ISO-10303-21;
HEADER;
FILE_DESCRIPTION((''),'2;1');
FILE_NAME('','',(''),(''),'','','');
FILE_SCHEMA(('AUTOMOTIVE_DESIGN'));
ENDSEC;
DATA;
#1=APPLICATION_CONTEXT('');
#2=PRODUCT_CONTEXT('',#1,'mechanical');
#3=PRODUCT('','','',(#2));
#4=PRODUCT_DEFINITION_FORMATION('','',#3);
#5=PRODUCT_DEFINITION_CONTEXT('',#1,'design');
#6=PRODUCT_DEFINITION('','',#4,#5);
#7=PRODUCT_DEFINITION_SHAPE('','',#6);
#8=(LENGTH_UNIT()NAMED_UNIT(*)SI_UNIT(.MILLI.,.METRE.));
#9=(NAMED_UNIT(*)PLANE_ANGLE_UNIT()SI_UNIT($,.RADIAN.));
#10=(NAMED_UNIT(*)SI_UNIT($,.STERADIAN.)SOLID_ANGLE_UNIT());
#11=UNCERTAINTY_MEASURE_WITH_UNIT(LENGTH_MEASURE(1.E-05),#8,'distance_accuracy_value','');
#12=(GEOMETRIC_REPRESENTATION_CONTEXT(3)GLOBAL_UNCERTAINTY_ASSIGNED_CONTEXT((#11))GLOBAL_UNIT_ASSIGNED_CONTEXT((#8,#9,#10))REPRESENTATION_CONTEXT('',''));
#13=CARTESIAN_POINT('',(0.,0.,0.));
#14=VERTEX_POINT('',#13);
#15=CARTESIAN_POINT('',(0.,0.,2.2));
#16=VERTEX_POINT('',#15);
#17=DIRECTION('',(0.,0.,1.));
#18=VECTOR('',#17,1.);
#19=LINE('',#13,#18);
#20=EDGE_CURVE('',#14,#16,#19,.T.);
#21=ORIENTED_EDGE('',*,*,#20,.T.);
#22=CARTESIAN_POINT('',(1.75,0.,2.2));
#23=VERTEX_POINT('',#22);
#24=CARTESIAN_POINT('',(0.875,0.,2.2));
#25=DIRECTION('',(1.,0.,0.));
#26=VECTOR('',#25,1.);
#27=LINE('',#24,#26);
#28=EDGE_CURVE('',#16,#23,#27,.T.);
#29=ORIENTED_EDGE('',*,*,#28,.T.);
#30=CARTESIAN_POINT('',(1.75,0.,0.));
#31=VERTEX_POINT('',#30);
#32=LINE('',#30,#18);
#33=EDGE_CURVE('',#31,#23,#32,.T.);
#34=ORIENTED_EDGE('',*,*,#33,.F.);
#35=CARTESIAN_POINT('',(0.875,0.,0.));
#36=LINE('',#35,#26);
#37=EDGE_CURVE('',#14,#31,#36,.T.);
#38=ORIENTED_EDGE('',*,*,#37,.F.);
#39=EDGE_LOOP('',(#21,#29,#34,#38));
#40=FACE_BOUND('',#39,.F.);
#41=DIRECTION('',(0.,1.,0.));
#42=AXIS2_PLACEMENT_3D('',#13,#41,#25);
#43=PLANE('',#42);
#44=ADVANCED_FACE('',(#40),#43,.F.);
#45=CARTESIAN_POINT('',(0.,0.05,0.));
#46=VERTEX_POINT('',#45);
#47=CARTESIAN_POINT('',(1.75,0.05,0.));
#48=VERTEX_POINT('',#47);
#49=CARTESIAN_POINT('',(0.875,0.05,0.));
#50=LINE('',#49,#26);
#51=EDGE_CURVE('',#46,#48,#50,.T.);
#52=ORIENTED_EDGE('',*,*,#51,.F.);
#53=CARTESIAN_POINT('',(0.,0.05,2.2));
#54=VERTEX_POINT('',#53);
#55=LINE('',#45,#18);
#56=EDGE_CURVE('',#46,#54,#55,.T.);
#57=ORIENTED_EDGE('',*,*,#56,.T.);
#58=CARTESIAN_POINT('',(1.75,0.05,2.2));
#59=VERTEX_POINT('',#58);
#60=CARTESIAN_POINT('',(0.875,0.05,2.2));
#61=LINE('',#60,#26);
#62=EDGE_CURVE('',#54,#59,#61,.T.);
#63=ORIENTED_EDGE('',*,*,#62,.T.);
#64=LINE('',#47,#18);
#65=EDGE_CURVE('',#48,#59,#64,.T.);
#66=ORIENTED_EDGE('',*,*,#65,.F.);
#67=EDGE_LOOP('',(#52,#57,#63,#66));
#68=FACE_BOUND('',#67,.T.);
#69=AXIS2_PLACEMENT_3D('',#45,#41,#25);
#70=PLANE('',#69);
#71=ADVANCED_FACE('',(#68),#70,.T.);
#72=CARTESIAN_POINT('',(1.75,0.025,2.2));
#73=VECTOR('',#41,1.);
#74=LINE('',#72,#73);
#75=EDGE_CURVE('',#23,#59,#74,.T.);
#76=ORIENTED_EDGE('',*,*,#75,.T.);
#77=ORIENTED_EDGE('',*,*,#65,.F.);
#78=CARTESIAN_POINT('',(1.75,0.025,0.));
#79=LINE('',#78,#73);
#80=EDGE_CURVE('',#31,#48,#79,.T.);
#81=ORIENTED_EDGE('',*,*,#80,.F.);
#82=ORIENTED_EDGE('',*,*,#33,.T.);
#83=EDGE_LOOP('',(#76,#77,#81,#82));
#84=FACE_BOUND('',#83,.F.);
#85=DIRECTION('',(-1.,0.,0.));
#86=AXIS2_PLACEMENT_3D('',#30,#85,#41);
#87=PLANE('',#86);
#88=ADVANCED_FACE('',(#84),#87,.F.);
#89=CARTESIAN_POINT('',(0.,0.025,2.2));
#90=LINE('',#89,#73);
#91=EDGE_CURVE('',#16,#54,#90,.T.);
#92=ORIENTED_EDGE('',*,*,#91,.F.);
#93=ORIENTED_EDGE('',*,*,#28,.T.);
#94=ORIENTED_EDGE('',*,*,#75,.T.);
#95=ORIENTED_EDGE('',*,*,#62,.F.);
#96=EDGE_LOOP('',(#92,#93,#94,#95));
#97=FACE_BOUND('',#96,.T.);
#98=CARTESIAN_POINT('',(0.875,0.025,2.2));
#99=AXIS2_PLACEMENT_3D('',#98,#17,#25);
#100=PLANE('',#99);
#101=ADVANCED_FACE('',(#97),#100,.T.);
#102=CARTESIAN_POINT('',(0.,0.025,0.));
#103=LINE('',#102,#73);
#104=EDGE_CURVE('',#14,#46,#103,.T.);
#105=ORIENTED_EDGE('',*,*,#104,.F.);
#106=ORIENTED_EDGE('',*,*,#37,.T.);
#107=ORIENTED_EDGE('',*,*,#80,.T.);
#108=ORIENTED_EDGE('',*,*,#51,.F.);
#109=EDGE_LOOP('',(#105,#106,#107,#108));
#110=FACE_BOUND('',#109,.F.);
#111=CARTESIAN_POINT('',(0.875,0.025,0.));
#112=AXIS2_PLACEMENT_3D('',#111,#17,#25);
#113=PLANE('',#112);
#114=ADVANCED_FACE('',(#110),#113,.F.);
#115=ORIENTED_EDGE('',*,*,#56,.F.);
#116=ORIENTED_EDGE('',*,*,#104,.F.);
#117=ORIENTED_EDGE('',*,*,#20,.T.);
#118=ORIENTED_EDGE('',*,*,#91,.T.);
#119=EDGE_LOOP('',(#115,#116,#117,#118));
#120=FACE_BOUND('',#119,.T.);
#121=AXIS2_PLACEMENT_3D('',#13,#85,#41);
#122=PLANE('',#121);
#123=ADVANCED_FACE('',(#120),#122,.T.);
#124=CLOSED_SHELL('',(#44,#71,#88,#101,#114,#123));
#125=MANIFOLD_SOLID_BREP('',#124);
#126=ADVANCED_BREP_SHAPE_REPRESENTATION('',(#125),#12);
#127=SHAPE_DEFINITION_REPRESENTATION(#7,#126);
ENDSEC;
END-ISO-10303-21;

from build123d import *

# Parameters (mm, degrees)
BOX_W     = 1.75
BOX_H     = 0.05
BOX_DEPTH = 2.2


with BuildPart() as part:
    # Box → Box (new body)
    with BuildSketch(Plane.XY):
        with Locations((0.875, 0.025)):
            Rectangle(BOX_W, BOX_H)
    extrude(amount=BOX_DEPTH)


solid = part.part
